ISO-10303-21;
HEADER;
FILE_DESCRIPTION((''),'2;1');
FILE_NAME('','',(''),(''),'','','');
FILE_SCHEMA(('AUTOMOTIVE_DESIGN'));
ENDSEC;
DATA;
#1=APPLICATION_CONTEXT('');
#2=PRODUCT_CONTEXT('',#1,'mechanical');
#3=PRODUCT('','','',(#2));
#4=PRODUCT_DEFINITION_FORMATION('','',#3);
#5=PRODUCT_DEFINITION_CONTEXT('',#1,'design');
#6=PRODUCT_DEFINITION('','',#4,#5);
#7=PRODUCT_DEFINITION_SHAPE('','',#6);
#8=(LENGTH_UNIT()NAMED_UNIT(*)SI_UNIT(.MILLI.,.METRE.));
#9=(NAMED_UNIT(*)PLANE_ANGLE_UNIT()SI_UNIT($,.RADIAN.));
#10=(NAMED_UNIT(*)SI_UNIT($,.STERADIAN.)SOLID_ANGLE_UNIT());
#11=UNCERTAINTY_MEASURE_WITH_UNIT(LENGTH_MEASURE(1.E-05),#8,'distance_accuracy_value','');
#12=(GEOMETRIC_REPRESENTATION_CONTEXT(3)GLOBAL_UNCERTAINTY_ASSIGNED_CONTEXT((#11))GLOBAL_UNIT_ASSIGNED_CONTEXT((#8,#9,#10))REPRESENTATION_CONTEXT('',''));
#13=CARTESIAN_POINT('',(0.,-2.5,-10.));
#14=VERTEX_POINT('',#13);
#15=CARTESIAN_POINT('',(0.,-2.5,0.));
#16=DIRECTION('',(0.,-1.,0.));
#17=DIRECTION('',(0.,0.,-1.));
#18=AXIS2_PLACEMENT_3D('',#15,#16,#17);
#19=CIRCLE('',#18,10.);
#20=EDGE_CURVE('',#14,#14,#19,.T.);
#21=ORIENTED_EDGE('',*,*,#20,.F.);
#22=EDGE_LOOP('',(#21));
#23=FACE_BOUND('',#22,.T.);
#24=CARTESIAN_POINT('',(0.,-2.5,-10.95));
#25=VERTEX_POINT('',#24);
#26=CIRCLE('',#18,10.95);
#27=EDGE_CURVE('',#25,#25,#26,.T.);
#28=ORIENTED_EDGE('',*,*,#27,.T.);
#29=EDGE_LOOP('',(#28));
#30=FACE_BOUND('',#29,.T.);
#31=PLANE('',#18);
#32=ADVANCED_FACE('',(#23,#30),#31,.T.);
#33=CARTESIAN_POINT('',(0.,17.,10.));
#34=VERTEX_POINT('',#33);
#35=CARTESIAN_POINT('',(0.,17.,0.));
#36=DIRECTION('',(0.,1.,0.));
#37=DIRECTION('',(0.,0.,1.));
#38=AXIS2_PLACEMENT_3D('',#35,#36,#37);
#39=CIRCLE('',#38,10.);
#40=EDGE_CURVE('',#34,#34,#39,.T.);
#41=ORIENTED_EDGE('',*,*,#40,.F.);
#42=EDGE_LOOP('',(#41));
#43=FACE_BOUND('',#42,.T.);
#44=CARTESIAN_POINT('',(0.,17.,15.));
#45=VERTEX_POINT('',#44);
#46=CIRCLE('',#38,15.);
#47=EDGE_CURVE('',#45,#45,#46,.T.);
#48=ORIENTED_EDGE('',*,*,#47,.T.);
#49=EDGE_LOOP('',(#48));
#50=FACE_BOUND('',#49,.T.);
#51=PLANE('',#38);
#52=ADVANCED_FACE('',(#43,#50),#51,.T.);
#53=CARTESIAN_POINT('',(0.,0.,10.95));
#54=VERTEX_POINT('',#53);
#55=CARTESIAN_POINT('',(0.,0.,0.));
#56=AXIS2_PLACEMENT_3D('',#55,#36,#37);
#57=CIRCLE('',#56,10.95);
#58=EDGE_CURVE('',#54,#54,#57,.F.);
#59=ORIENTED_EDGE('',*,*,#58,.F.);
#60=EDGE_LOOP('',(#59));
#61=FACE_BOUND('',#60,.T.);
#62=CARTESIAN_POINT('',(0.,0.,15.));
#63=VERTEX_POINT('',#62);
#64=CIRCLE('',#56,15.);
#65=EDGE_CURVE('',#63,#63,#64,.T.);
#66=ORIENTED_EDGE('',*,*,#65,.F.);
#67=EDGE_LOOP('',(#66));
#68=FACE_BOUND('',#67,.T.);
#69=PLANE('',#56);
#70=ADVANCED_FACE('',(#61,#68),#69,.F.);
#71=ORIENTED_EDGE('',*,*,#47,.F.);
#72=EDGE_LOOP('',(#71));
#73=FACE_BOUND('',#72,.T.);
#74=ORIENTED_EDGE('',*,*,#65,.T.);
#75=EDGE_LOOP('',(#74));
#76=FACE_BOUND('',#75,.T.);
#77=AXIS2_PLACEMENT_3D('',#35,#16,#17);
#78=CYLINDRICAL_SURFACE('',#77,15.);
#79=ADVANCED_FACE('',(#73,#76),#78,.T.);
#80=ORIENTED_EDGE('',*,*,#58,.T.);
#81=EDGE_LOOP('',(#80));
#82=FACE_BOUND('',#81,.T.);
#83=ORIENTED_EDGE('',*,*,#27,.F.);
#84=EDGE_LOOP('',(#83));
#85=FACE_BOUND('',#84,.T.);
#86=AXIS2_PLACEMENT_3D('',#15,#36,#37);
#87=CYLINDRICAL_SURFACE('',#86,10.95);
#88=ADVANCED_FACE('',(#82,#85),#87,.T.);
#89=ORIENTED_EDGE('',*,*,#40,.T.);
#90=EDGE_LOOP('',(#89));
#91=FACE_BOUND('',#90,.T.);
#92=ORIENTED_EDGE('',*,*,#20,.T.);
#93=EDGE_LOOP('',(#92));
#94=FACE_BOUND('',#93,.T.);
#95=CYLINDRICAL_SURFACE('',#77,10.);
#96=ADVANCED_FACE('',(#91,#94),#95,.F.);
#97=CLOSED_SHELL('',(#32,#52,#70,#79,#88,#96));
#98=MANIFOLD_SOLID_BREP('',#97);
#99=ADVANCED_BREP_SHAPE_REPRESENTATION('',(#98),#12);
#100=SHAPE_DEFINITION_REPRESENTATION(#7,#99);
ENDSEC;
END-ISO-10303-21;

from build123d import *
from build123d.topology import SkipClean

# Parameters (mm, degrees)
SKETCH1_R           = 15
SKETCH1_R_2         = 10
BOSS_EXTRUDE1_DEPTH = 17
BOSS_EXTRUDE2_START = 2.5
SKETCH2_R           = 10.95
SKETCH2_R_2         = 10
BOSS_EXTRUDE2_DEPTH = 2.5


with BuildPart() as part:
    # Sketch1 → Boss-Extrude1 (new body)
    with BuildSketch(Plane(origin=(0, 0, 0), x_dir=(1, 0, 0), z_dir=(0, 1, 0))):
        with Locations(Location((0, 0, 0), (0, 0, 270))):
            Circle(SKETCH1_R)
        with Locations(Location((0, 0, 0), (0, 0, 270))):
            Circle(SKETCH1_R_2, mode=Mode.SUBTRACT)
    extrude(amount=BOSS_EXTRUDE1_DEPTH)

    # Sketch2 → Boss-Extrude2 (add)
    with SkipClean():  # the faces are left unmerged after this step: merging them gives an invalid solid
        with BuildSketch(Plane.XZ.offset(BOSS_EXTRUDE2_START)):
            with Locations(Location((0, 0, 0), (0, 0, 90))):
                Circle(SKETCH2_R)
            with Locations(Location((0, 0, 0), (0, 0, 270))):
                Circle(SKETCH2_R_2, mode=Mode.SUBTRACT)
        extrude(amount=-BOSS_EXTRUDE2_DEPTH)


solid = part.part
